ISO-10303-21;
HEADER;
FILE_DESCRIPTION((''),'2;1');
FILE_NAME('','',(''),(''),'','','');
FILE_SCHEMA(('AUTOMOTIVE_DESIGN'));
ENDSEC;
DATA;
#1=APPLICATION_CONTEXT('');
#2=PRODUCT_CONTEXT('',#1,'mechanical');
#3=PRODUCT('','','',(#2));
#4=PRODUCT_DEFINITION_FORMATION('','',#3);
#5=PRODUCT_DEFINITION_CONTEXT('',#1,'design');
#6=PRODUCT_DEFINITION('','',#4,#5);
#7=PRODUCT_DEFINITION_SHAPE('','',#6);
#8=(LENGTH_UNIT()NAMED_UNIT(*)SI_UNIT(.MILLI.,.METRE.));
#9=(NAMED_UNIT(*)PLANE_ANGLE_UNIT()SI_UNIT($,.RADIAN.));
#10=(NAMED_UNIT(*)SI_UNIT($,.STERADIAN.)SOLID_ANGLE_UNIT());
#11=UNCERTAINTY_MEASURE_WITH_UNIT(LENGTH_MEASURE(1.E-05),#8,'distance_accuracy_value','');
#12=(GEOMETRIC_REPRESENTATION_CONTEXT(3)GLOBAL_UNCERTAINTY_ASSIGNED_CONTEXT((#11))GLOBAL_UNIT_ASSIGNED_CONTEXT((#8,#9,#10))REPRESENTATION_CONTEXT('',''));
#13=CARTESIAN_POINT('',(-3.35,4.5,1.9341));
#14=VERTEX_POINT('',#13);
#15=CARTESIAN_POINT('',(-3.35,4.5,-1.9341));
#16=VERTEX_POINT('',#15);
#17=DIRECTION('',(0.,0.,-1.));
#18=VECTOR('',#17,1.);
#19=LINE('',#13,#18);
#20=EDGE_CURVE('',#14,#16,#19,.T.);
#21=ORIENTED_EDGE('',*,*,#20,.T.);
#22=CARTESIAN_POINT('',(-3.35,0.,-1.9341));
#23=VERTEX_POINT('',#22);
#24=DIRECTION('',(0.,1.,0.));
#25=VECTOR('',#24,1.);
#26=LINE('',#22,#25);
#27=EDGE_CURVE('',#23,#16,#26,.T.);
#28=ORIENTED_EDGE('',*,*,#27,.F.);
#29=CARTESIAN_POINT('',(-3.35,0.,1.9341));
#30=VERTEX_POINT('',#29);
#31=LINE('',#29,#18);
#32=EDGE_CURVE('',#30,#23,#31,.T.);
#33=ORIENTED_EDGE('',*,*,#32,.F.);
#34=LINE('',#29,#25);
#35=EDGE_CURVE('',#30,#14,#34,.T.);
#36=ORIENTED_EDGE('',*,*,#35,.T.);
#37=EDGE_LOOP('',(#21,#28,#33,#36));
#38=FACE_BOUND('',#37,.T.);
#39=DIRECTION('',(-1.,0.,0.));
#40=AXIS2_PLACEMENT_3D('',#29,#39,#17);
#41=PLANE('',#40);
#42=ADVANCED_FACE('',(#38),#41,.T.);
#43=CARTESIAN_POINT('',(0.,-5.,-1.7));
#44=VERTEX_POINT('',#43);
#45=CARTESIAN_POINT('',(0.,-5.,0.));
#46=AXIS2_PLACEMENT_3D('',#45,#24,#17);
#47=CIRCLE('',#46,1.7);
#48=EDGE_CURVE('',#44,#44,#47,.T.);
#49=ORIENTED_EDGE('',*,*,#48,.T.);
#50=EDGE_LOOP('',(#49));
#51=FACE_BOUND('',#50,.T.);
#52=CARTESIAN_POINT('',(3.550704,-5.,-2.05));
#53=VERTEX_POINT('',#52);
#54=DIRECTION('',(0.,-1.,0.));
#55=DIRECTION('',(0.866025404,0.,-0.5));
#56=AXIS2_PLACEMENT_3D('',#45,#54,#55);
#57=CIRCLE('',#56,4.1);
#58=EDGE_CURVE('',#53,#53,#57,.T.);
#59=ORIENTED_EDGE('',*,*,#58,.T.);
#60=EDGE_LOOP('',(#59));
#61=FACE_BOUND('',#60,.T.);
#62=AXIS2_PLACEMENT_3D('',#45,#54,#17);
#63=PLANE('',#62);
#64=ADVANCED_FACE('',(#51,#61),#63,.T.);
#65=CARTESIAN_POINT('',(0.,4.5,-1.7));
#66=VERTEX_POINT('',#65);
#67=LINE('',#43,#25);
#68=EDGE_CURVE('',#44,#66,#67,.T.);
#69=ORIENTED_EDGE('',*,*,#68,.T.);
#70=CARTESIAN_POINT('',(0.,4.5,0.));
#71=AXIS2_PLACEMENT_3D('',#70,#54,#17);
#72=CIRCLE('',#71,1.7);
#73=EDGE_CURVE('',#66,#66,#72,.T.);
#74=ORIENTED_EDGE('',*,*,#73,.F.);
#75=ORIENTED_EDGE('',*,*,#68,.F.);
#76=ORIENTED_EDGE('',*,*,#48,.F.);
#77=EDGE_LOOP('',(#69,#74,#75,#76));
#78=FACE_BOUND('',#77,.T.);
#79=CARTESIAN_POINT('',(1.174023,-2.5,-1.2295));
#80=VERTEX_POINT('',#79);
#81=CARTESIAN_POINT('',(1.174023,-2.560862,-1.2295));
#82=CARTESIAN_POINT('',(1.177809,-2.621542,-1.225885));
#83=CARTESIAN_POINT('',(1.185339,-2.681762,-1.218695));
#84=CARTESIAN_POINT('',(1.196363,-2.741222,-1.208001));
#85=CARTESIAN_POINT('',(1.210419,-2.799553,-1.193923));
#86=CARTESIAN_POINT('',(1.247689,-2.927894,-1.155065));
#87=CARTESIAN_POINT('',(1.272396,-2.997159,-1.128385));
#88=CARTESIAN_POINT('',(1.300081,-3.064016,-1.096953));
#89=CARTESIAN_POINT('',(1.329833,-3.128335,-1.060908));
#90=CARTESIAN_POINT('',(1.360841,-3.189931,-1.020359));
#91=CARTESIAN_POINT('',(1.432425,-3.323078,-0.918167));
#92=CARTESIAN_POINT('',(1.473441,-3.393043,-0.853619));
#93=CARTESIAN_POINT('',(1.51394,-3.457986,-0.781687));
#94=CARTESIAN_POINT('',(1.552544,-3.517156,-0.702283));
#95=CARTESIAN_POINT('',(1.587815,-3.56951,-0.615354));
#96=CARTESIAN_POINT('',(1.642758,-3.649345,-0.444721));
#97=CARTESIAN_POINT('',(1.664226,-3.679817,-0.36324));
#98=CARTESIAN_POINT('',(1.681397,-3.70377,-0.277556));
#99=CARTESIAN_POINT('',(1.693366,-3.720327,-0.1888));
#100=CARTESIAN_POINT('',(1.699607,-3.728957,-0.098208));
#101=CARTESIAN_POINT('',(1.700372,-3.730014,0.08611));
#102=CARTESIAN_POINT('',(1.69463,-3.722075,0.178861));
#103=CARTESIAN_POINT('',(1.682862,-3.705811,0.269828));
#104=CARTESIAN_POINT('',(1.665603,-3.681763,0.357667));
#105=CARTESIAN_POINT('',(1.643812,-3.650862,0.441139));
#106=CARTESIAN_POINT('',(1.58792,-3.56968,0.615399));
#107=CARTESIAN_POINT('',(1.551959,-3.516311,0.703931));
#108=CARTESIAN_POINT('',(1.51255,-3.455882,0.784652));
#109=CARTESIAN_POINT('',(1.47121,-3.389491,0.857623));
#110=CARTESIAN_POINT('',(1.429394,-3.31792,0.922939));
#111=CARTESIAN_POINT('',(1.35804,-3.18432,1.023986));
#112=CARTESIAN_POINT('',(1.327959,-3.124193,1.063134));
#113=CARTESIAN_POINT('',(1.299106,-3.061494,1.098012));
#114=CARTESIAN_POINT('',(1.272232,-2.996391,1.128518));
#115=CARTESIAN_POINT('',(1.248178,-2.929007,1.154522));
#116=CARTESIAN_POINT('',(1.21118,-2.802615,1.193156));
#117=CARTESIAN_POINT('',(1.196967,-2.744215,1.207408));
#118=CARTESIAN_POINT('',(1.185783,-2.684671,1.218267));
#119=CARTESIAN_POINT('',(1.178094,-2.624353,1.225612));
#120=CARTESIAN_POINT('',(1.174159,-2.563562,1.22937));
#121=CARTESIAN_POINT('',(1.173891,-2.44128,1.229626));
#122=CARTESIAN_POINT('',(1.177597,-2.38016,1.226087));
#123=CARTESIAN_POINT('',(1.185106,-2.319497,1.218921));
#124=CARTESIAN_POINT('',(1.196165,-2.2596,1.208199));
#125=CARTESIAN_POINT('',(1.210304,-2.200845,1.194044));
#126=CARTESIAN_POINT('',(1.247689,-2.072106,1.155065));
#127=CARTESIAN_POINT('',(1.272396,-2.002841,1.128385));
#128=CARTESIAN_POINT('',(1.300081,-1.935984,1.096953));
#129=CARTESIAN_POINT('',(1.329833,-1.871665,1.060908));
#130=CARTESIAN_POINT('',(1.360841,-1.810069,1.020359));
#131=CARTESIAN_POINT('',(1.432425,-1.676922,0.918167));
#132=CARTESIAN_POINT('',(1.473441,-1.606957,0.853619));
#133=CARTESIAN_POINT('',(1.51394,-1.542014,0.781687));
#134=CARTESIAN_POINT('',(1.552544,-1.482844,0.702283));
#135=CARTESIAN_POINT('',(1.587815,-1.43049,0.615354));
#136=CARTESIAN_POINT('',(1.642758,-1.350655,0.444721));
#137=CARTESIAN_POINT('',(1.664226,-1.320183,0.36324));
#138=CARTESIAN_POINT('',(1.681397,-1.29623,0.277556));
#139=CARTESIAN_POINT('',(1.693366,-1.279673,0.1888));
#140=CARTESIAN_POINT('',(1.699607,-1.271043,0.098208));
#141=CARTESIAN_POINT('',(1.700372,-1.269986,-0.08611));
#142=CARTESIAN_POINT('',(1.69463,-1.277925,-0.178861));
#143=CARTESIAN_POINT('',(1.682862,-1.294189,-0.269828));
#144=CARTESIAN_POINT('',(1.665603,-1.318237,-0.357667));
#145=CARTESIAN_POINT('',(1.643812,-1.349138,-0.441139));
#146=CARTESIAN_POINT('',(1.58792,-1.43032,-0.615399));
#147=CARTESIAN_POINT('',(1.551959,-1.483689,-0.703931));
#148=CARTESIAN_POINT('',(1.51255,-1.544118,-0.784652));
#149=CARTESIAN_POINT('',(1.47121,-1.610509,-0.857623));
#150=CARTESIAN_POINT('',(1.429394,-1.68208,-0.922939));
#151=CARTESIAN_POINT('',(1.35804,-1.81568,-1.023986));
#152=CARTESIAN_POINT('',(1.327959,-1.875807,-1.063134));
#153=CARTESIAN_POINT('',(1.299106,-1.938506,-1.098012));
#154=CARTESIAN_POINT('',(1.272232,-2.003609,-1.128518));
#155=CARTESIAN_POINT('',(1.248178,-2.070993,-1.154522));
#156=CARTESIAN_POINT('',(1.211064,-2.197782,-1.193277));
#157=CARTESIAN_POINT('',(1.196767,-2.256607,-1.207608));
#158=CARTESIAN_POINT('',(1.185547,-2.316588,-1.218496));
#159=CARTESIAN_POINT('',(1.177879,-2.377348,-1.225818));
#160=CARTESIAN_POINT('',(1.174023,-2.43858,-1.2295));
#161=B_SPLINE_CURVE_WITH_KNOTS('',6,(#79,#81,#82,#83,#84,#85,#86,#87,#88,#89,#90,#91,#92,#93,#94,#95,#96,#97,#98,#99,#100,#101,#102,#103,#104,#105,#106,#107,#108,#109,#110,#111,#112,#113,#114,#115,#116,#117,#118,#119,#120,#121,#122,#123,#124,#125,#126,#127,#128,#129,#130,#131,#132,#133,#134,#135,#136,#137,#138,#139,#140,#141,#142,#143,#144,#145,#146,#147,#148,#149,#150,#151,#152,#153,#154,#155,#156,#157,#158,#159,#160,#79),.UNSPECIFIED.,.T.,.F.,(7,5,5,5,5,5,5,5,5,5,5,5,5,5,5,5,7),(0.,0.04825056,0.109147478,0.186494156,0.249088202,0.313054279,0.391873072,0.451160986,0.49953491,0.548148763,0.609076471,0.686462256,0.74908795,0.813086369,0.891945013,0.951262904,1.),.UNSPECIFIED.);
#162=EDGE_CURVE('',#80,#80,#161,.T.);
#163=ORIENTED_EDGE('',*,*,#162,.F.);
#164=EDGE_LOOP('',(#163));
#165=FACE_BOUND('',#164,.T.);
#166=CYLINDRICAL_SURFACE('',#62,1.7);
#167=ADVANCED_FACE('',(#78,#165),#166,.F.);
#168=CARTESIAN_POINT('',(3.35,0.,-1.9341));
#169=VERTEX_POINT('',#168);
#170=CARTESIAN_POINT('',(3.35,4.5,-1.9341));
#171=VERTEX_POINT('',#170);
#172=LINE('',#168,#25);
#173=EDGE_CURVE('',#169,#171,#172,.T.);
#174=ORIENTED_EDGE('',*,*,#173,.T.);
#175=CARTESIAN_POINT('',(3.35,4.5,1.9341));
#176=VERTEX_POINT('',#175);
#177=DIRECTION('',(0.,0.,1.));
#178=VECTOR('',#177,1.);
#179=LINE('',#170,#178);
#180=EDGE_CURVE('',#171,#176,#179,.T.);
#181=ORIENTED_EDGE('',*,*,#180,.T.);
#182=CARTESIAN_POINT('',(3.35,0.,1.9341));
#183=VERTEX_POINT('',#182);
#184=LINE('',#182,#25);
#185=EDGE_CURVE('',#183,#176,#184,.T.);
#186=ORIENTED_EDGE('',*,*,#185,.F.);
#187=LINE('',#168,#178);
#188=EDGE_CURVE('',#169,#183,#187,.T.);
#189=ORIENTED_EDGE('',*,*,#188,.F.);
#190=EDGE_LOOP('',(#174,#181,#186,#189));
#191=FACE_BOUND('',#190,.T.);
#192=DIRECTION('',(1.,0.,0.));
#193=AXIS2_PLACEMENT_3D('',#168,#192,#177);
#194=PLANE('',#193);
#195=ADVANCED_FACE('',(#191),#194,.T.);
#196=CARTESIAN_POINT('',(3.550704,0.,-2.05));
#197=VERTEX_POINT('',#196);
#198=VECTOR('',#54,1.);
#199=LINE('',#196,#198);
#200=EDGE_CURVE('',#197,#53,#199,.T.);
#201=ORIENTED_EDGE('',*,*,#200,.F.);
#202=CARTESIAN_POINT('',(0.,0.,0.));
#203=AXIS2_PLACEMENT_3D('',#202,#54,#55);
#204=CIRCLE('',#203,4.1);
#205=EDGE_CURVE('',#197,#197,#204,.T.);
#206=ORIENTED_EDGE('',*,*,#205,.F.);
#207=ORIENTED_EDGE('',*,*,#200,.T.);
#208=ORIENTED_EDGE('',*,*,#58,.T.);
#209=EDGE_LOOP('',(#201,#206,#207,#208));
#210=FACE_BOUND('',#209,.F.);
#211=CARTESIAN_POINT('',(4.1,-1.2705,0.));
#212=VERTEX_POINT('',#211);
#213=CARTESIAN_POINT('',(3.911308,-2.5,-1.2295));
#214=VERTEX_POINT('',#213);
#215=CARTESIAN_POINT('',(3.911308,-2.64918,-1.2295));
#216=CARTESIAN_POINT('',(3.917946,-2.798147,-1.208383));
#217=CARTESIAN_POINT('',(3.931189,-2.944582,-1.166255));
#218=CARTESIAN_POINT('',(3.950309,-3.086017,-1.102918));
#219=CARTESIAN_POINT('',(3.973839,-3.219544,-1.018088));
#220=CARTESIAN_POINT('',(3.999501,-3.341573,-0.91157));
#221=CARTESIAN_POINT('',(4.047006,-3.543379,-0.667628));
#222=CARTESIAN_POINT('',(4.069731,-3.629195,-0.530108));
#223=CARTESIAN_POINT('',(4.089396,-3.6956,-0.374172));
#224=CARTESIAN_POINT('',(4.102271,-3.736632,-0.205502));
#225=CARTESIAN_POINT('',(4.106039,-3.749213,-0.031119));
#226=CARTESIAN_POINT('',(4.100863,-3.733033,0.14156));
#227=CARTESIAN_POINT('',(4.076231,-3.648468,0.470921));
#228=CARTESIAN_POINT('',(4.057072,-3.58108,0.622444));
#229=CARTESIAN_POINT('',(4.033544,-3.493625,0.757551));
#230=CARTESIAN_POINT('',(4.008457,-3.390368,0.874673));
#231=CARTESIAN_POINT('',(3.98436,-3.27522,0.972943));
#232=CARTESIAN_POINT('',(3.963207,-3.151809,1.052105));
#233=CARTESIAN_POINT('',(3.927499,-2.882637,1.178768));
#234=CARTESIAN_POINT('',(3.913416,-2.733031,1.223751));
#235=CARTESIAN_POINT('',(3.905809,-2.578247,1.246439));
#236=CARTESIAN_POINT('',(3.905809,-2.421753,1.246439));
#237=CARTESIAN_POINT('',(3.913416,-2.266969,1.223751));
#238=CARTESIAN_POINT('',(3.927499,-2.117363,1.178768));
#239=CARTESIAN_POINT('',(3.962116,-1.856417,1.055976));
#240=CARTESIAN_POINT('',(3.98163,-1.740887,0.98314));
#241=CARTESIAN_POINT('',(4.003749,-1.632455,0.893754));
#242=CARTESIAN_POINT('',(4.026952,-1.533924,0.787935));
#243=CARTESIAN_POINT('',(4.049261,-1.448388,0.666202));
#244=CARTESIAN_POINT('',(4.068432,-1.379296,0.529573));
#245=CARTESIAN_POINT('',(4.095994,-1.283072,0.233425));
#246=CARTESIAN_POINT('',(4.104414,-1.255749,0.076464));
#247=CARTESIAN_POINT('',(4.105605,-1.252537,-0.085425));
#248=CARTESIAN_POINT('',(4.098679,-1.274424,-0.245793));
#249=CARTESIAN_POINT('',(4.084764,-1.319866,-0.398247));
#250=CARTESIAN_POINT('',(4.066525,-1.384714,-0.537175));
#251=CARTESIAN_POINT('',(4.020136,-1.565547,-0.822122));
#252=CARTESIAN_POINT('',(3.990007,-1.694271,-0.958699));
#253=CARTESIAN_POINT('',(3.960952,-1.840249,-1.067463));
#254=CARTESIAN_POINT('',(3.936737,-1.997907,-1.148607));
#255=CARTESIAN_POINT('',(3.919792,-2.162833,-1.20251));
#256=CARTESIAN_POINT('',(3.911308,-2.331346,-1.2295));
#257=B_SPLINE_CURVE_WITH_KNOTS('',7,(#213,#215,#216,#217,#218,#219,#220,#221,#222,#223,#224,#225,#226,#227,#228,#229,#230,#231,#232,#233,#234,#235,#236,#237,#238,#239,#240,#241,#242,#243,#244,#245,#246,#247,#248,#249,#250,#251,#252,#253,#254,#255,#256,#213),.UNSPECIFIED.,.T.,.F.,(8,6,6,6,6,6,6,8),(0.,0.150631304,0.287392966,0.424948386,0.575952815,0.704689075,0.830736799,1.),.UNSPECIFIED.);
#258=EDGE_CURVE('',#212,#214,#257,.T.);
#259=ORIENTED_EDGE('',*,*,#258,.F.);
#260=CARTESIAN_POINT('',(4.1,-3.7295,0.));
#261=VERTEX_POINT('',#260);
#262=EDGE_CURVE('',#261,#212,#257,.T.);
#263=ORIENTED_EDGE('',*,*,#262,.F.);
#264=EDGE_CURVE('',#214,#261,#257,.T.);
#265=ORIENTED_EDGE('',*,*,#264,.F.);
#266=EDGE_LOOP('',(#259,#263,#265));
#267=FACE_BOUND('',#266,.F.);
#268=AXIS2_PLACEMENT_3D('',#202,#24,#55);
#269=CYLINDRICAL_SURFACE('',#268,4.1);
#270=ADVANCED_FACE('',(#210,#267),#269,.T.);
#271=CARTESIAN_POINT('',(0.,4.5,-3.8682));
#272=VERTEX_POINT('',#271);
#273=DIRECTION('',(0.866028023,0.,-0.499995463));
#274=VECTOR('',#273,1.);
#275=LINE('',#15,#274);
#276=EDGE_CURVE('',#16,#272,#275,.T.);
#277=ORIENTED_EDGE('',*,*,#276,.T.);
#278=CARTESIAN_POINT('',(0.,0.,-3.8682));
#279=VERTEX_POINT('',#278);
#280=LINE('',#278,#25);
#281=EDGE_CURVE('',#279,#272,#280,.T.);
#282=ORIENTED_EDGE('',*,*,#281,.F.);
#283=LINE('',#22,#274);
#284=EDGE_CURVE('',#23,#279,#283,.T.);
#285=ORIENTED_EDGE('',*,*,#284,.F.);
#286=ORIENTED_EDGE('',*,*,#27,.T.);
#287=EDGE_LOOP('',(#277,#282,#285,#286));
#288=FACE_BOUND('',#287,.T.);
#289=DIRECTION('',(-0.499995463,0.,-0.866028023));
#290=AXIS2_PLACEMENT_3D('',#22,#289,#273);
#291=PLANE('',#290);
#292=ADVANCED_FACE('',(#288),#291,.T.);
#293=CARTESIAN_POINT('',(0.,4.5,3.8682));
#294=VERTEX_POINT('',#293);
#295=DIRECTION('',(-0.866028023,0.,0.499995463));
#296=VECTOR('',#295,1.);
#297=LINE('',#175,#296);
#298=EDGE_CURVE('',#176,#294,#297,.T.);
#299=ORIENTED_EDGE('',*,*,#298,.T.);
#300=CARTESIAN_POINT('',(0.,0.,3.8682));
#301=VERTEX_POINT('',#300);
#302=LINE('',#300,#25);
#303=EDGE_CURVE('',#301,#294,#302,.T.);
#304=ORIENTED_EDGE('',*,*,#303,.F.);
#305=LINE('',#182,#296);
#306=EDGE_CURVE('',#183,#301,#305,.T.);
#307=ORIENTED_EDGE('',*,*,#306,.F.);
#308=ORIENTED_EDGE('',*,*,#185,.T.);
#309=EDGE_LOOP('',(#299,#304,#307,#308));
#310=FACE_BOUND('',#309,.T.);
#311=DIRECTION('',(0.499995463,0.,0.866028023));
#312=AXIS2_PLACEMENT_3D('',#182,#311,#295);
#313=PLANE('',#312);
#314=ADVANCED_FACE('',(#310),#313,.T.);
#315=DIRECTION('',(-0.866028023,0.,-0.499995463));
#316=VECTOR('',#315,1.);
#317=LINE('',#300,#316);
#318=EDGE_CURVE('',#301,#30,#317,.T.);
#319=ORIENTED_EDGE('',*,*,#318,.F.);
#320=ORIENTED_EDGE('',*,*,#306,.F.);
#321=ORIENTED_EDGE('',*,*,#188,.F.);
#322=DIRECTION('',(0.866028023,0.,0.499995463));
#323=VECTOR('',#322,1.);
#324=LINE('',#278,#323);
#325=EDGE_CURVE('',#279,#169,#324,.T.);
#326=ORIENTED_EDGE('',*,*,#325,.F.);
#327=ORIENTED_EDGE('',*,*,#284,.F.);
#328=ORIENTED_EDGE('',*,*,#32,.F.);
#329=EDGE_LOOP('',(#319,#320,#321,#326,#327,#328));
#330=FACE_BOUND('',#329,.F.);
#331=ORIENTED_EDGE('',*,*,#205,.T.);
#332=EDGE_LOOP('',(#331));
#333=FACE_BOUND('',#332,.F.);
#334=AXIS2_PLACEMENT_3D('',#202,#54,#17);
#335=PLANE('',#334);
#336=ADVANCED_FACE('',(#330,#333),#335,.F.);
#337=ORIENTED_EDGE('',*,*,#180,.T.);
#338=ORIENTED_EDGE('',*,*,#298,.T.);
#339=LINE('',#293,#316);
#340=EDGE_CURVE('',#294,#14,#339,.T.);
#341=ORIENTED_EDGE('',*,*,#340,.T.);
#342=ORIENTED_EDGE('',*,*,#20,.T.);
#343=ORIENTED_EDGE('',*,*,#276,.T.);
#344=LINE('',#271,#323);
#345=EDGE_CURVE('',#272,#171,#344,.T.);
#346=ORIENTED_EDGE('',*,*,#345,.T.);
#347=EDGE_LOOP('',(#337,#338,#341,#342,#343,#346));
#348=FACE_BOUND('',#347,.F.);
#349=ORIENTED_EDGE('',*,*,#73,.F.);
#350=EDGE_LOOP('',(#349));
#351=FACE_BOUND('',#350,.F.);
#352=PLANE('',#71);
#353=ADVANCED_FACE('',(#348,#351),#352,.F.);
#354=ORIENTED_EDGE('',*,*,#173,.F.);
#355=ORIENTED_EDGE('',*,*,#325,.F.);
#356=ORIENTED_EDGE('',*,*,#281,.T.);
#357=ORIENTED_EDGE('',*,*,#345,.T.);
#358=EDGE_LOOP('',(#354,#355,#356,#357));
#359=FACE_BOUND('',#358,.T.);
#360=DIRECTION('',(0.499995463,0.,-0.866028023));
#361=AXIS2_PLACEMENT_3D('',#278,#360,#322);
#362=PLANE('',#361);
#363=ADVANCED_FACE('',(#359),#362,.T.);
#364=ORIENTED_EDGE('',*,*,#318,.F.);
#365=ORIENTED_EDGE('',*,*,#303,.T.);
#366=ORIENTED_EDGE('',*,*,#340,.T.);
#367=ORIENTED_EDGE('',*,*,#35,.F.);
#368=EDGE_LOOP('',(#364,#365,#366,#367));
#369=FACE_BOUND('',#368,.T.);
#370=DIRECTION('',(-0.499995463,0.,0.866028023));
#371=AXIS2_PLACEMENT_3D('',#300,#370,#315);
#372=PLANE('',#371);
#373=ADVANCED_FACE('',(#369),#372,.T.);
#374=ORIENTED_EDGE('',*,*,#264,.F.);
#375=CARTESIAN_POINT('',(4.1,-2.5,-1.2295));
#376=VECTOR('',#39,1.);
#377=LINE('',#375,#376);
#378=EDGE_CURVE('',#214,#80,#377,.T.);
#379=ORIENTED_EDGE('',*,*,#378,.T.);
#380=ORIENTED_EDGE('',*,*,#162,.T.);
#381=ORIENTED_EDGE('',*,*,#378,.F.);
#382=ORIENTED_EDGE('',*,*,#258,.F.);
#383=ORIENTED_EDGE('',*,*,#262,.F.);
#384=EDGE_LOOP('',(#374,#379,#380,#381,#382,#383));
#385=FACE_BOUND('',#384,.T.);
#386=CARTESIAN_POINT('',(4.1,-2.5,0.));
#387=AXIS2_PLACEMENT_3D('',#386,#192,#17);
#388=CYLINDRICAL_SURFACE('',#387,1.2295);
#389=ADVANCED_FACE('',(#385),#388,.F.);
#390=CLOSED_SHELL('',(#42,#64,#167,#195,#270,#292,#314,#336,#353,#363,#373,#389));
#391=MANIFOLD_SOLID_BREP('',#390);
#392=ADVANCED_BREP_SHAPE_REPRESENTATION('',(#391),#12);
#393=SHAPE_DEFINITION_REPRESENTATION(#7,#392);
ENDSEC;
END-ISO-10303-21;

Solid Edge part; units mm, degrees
sketch "Sketch1" plane through (0, 0, 0) normal (0, -1, 0) x (1, 0, 0)
  line L0 (3.35, 1.9341) -> (0, 3.8682)
  line L1 (0, 3.8682) -> (-3.35, 1.9341)
  line L2 (-3.35, 1.9341) -> (-3.35, -1.9341)
  line L3 (-3.35, -1.9341) -> (0, -3.8682)
  line L4 (0, -3.8682) -> (3.35, -1.9341)
  line L5 (3.35, -1.9341) -> (3.35, 1.9341)
extrude "Protrusion1" add sketch "Sketch1" against normal blind 4.5
sketch "Sketch2" plane through (0, 0, 0) normal (0, -1, 0) x (0.866, 0, -0.5)
  circle A0 centre (0, 0) radius 4.1
extrude "ExtrudedProtrusion_3" add sketch "Sketch2" along normal blind 5
hole "Hole_1" at (0, -5, 0) direction (0, 1, 0) diameter 3.4 end up to next
hole "Hole_2" at (4.1, -2.5, 0) direction (-1, 0, 0) diameter 2.459 end up to next thread major 3 thread length 2
